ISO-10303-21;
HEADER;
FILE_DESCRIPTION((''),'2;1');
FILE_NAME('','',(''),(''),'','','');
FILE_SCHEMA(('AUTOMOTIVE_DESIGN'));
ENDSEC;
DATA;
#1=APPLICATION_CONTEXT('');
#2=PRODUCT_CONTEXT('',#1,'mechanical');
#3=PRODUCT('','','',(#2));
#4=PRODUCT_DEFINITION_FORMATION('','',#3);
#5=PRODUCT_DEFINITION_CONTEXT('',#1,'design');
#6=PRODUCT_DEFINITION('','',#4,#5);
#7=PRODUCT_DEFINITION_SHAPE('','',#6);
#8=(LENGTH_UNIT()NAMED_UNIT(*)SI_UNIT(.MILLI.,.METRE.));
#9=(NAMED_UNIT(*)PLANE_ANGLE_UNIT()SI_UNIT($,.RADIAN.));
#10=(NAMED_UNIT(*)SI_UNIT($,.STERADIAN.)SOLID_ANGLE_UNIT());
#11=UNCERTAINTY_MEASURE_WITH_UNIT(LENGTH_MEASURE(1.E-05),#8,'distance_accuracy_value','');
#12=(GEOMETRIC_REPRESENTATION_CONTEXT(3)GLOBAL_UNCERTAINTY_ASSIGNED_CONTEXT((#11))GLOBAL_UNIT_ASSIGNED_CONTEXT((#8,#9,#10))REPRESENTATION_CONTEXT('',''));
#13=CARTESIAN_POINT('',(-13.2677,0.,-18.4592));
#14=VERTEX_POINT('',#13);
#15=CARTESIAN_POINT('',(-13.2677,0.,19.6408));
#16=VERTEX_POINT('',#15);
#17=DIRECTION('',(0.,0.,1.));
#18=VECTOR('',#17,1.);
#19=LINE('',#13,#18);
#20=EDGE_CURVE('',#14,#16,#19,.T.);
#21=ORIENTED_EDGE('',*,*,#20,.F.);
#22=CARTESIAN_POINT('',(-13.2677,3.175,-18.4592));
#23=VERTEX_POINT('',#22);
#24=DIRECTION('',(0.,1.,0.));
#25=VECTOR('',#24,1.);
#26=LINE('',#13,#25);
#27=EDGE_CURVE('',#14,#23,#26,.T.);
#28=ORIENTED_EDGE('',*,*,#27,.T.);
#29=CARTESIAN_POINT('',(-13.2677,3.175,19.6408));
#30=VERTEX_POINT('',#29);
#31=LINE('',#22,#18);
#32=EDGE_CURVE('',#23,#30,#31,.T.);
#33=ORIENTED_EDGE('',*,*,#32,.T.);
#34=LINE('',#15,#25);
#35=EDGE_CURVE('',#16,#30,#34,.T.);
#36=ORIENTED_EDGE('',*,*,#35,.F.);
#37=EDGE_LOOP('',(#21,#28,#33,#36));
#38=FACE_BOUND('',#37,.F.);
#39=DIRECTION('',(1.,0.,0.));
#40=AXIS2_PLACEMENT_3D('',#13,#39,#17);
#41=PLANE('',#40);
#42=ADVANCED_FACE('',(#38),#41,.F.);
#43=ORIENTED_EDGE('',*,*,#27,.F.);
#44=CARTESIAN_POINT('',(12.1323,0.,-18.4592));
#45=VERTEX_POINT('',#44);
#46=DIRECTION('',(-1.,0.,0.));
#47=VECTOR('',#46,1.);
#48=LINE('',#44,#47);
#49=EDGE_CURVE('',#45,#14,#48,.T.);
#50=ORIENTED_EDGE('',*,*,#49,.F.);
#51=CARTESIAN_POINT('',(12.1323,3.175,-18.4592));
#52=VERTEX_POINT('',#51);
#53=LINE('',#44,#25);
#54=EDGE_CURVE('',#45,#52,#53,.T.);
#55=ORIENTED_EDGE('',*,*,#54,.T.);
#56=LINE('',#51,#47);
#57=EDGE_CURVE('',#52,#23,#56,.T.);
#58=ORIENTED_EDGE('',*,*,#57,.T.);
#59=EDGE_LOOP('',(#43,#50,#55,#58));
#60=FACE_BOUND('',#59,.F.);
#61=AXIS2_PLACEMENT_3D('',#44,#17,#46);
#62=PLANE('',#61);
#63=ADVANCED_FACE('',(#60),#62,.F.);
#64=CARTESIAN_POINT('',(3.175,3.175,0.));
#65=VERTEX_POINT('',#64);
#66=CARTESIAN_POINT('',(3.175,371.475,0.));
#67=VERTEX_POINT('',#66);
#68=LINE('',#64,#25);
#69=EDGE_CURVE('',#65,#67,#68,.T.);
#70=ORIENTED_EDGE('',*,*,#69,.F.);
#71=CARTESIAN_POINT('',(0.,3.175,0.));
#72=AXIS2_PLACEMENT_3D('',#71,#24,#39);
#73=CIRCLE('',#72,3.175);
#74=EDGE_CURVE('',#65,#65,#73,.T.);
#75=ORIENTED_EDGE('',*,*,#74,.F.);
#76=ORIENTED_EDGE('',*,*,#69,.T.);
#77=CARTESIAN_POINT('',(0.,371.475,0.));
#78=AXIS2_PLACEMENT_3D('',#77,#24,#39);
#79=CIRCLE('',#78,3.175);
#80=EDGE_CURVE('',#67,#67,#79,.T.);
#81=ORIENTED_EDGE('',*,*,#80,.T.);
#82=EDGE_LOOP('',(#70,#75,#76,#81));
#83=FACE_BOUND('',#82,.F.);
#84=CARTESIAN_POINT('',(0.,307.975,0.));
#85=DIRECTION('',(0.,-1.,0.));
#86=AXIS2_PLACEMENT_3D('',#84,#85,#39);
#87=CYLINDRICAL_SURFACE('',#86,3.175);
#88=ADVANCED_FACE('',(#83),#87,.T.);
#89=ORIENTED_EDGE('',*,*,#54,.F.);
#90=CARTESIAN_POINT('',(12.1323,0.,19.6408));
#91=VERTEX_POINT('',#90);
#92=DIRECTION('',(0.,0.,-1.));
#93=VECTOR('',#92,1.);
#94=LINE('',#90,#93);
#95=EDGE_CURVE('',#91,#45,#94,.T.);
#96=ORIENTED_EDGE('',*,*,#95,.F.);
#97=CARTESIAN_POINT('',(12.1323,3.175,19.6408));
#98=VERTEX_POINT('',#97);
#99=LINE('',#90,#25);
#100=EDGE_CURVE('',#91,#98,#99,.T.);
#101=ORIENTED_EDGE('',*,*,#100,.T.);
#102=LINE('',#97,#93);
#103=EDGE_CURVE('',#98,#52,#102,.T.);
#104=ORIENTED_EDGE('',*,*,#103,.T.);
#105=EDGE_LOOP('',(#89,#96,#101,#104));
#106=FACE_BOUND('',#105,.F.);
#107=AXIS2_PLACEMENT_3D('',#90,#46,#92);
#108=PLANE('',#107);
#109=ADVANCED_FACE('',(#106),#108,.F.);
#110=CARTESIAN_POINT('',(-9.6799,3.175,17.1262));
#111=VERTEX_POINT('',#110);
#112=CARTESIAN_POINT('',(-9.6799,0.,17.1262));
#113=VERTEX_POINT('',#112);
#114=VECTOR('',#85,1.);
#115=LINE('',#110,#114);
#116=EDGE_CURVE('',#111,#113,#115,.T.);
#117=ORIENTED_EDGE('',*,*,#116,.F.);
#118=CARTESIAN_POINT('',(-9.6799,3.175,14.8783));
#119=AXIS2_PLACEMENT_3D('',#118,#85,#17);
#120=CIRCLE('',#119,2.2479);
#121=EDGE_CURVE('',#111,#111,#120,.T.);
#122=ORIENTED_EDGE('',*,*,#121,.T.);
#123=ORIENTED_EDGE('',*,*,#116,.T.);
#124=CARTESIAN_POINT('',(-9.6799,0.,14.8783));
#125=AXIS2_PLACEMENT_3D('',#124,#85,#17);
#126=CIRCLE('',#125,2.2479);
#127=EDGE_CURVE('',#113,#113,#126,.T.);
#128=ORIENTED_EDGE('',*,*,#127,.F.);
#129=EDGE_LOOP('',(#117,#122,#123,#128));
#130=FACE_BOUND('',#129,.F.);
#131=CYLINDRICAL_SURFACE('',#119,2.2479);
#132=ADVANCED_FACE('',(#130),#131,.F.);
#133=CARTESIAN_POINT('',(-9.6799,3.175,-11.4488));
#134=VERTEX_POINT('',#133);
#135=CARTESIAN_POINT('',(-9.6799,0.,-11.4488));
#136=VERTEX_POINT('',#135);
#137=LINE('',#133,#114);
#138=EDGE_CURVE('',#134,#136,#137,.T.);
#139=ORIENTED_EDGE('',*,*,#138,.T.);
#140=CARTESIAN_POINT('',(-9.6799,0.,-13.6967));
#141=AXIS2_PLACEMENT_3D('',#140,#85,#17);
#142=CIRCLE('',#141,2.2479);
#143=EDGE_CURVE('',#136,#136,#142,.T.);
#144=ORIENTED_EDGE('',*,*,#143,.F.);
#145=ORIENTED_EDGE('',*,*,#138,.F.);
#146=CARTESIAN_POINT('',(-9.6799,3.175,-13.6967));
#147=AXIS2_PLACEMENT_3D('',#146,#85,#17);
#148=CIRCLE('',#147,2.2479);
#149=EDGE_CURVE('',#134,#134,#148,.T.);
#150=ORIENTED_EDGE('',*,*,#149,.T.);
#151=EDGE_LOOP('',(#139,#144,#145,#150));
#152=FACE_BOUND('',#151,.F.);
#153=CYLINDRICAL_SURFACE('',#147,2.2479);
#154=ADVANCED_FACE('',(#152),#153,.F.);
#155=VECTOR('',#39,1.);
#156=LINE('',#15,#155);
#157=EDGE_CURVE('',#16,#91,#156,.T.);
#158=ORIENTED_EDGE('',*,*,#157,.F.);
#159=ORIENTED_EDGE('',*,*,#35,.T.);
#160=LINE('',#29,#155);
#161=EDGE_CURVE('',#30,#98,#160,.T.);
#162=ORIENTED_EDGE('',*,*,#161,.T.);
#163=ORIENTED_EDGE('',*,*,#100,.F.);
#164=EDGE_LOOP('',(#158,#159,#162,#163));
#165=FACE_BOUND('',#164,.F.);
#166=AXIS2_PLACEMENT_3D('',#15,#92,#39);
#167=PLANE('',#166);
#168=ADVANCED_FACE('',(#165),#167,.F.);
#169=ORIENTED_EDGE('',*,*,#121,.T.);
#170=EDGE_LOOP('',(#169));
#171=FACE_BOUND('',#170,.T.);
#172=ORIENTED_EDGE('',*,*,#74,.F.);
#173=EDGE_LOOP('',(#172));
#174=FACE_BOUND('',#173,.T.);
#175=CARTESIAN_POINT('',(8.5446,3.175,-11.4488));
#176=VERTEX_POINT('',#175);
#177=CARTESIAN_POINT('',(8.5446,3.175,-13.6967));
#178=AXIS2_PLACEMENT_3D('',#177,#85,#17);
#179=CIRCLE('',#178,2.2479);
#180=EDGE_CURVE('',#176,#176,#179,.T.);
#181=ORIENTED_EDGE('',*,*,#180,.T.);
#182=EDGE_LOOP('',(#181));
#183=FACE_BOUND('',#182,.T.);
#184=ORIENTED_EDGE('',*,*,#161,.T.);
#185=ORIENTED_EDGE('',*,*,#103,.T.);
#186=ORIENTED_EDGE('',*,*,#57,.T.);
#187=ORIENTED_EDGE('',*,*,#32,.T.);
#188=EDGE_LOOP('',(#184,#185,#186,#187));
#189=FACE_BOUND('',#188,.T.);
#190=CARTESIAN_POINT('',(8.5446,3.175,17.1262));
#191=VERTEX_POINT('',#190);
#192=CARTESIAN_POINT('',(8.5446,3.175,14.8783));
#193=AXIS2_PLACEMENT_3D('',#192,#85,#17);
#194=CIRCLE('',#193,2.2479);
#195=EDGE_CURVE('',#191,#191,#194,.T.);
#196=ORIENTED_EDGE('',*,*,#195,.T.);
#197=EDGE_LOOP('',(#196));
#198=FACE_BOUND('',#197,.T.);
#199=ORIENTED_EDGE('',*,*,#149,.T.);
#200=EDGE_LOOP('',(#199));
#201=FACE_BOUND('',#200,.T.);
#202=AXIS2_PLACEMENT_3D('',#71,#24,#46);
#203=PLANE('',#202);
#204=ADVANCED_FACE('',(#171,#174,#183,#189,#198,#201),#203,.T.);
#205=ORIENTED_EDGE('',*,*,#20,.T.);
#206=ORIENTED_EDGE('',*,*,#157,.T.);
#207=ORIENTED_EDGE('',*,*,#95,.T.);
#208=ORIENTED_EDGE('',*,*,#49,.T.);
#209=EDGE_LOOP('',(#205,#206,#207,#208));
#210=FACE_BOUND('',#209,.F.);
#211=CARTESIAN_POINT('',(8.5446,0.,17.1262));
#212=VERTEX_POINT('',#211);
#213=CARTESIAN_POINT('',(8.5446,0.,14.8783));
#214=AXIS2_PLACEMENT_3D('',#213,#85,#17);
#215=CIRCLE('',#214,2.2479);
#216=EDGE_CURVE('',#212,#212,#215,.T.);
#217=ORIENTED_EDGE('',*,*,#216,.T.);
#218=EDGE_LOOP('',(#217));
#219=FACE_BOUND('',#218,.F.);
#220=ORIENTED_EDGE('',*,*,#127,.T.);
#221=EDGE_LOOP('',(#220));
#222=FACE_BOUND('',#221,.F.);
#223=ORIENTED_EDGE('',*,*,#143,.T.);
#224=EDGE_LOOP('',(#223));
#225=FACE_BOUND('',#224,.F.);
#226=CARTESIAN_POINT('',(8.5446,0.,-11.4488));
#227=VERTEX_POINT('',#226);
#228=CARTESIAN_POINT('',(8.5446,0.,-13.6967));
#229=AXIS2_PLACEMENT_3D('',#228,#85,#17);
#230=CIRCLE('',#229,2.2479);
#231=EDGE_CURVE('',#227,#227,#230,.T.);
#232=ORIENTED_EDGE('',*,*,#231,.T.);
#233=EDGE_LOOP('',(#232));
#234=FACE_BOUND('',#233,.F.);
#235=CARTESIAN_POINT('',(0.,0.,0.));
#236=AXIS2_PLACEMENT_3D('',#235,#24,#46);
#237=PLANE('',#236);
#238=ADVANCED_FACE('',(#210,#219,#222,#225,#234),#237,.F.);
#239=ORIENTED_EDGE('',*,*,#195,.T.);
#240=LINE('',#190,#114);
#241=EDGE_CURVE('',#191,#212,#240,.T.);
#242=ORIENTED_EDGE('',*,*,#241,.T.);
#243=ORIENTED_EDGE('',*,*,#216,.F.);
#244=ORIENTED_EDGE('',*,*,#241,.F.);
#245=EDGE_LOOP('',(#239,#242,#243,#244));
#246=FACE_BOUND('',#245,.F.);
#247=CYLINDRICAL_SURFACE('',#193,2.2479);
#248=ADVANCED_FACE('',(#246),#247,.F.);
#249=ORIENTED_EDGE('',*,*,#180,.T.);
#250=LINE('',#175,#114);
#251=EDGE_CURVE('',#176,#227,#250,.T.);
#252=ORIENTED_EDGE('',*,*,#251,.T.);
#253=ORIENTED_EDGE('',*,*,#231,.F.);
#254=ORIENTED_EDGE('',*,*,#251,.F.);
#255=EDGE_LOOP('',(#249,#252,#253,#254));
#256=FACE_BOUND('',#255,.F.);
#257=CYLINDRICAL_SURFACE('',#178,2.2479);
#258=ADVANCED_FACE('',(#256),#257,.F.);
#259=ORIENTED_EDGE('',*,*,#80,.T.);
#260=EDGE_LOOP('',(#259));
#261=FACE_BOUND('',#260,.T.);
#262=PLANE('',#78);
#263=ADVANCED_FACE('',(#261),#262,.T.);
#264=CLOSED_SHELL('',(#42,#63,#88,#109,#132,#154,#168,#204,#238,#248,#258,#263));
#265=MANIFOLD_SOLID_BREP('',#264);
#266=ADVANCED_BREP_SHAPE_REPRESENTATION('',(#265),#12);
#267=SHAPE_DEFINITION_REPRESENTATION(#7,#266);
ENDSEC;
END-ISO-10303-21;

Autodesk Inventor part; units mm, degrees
ref_plane "YZ Plane" through (0, 0, 0) normal (1, 0, 0) x (0, 1, 0)
ref_plane "XZ Plane" through (0, 0, 0) normal (0, 1, 0) x (-1, 0, 0)
ref_plane "XY Plane" through (0, 0, 0) normal (0, 0, 1) x (1, 0, 0)
sketch "Sketch1" plane through (0, 0, 0) normal (0, 1, 0) x (-1, 0, 0)
  line L0 (13.2677, 19.6408) -> (-12.1323, 19.6408)
  line L1 (-12.1323, 19.6408) -> (-12.1323, -18.4592)
  line L2 (-12.1323, -18.4592) -> (13.2677, -18.4592)
  line L3 (13.2677, -18.4592) -> (13.2677, 19.6408)
  point P0 (0, 0)
  dimension "d0" = 25.4
  dimension "d1" = 38.1
extrude "Extrusion1" add sketch "Sketch1" along normal blind 3.175
hole "Hole1" at (-9.6799, 3.175, 14.8783) direction (0, -1, 0) diameter 4.4958 depth 3.175 clearance for "Flat Head Machine Screw (82)" size "#8" standard "Ansi Unified Screw Threads"
hole "Hole2" at (8.5446, 3.175, 14.8783) direction (0, -1, 0) diameter 4.4958 depth 3.175 clearance for "Flat Head Machine Screw (82)" size "#8" standard "Ansi Unified Screw Threads"
hole "Hole3" at (-9.6799, 3.175, -13.6967) direction (0, -1, 0) diameter 4.4958 depth 3.175 clearance for "Flat Head Machine Screw (82)" size "#8" standard "Ansi Unified Screw Threads"
hole "Hole4" at (8.5446, 3.175, -13.6967) direction (0, -1, 0) diameter 4.4958 depth 3.175 clearance for "Flat Head Machine Screw (82)" size "#8" standard "Ansi Unified Screw Threads"
sketch "Sketch2" plane through (0, 3.175, 0) normal (0, 1, 0) x (1, 0, 0)
  circle A0 centre (0, 0) radius 3.175
  dimension "d58" = 6.35
extrude "Extrusion2" add sketch "Sketch2" along normal blind 304.8
sketch "Sketch3" plane through (0, 0, 0) normal (1, 0, 0) x (0, 1, 0)
  point P0 (0, 0)
sketch "Sketch4" plane through (0, 307.975, 0) normal (0, 1, 0) x (1, 0, 0)
  circle A0 centre (0, 0) radius 3.175 projected
extrude "Extrusion3" add sketch "Sketch4" along normal blind 63.5
sketch "Sketch5" plane through (0, 0, 0) normal (1, 0, 0) x (0, 1, 0)
  point P0 (0, 0)
properties part number "rotatable rod table"
